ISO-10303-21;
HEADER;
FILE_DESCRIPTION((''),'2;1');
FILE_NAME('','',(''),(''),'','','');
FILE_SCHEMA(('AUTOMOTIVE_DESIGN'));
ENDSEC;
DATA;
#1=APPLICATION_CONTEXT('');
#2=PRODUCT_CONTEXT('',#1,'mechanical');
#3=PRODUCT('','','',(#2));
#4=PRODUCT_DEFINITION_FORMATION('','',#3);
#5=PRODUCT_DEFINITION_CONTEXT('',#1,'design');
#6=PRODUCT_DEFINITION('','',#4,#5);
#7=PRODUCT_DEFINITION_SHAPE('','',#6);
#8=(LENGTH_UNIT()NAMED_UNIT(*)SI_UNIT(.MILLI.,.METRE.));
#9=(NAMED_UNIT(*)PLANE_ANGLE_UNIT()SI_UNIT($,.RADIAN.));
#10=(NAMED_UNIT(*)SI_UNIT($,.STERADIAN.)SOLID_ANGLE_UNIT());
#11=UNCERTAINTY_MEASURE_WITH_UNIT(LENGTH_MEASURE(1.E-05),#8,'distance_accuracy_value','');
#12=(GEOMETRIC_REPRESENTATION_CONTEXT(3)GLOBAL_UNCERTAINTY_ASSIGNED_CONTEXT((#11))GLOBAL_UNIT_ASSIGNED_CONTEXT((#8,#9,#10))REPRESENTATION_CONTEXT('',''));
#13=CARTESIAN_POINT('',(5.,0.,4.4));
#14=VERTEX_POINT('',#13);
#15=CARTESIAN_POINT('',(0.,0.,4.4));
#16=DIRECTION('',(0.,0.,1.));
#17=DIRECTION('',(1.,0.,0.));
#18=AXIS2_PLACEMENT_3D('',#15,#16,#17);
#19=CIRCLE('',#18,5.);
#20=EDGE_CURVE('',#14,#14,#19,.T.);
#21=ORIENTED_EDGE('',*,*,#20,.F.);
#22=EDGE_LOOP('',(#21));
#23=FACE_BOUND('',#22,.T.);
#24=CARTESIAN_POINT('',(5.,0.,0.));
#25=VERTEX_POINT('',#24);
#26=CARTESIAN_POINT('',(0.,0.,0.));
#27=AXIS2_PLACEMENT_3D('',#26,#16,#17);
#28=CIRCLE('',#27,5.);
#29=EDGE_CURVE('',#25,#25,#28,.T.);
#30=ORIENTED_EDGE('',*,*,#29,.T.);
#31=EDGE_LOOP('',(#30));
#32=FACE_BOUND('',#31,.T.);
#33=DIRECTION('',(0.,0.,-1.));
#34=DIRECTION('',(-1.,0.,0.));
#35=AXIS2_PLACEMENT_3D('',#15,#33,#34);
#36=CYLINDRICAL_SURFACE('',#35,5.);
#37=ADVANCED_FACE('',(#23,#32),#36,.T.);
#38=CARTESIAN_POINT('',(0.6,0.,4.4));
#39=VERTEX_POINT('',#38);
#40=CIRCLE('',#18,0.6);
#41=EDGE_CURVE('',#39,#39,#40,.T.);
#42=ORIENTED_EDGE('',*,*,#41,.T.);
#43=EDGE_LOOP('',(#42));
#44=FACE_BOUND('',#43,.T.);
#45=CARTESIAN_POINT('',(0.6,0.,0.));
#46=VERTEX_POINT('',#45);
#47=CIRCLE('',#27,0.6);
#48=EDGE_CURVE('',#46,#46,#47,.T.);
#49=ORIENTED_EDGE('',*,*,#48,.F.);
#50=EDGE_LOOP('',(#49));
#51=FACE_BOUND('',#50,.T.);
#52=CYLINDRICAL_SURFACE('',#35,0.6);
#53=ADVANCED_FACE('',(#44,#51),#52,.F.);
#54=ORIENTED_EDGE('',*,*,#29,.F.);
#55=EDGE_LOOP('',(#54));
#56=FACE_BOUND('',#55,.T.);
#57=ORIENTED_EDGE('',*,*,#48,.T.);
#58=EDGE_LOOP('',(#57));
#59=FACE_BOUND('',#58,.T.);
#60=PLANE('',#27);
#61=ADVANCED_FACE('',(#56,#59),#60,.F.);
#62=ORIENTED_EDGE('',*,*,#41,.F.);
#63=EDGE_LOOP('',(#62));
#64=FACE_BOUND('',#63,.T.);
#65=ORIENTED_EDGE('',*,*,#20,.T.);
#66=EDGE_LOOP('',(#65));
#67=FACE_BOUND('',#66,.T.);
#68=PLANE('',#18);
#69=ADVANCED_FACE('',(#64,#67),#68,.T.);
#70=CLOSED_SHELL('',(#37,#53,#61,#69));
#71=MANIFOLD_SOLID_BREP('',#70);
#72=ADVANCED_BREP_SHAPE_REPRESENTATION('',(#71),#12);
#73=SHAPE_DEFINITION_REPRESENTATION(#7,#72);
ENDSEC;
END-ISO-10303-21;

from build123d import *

# Parameters (mm, degrees)
SKETCH_1_R      = 5
SKETCH_1_R_2    = 0.6
EXTRUDE_1_DEPTH = 4.4


with BuildPart() as part:
    # 草图1 → 凸台-拉伸1 (new body)
    with BuildSketch(Plane.XY):
        Circle(SKETCH_1_R)
        Circle(SKETCH_1_R_2, mode=Mode.SUBTRACT)
    extrude(amount=EXTRUDE_1_DEPTH)


solid = part.part
